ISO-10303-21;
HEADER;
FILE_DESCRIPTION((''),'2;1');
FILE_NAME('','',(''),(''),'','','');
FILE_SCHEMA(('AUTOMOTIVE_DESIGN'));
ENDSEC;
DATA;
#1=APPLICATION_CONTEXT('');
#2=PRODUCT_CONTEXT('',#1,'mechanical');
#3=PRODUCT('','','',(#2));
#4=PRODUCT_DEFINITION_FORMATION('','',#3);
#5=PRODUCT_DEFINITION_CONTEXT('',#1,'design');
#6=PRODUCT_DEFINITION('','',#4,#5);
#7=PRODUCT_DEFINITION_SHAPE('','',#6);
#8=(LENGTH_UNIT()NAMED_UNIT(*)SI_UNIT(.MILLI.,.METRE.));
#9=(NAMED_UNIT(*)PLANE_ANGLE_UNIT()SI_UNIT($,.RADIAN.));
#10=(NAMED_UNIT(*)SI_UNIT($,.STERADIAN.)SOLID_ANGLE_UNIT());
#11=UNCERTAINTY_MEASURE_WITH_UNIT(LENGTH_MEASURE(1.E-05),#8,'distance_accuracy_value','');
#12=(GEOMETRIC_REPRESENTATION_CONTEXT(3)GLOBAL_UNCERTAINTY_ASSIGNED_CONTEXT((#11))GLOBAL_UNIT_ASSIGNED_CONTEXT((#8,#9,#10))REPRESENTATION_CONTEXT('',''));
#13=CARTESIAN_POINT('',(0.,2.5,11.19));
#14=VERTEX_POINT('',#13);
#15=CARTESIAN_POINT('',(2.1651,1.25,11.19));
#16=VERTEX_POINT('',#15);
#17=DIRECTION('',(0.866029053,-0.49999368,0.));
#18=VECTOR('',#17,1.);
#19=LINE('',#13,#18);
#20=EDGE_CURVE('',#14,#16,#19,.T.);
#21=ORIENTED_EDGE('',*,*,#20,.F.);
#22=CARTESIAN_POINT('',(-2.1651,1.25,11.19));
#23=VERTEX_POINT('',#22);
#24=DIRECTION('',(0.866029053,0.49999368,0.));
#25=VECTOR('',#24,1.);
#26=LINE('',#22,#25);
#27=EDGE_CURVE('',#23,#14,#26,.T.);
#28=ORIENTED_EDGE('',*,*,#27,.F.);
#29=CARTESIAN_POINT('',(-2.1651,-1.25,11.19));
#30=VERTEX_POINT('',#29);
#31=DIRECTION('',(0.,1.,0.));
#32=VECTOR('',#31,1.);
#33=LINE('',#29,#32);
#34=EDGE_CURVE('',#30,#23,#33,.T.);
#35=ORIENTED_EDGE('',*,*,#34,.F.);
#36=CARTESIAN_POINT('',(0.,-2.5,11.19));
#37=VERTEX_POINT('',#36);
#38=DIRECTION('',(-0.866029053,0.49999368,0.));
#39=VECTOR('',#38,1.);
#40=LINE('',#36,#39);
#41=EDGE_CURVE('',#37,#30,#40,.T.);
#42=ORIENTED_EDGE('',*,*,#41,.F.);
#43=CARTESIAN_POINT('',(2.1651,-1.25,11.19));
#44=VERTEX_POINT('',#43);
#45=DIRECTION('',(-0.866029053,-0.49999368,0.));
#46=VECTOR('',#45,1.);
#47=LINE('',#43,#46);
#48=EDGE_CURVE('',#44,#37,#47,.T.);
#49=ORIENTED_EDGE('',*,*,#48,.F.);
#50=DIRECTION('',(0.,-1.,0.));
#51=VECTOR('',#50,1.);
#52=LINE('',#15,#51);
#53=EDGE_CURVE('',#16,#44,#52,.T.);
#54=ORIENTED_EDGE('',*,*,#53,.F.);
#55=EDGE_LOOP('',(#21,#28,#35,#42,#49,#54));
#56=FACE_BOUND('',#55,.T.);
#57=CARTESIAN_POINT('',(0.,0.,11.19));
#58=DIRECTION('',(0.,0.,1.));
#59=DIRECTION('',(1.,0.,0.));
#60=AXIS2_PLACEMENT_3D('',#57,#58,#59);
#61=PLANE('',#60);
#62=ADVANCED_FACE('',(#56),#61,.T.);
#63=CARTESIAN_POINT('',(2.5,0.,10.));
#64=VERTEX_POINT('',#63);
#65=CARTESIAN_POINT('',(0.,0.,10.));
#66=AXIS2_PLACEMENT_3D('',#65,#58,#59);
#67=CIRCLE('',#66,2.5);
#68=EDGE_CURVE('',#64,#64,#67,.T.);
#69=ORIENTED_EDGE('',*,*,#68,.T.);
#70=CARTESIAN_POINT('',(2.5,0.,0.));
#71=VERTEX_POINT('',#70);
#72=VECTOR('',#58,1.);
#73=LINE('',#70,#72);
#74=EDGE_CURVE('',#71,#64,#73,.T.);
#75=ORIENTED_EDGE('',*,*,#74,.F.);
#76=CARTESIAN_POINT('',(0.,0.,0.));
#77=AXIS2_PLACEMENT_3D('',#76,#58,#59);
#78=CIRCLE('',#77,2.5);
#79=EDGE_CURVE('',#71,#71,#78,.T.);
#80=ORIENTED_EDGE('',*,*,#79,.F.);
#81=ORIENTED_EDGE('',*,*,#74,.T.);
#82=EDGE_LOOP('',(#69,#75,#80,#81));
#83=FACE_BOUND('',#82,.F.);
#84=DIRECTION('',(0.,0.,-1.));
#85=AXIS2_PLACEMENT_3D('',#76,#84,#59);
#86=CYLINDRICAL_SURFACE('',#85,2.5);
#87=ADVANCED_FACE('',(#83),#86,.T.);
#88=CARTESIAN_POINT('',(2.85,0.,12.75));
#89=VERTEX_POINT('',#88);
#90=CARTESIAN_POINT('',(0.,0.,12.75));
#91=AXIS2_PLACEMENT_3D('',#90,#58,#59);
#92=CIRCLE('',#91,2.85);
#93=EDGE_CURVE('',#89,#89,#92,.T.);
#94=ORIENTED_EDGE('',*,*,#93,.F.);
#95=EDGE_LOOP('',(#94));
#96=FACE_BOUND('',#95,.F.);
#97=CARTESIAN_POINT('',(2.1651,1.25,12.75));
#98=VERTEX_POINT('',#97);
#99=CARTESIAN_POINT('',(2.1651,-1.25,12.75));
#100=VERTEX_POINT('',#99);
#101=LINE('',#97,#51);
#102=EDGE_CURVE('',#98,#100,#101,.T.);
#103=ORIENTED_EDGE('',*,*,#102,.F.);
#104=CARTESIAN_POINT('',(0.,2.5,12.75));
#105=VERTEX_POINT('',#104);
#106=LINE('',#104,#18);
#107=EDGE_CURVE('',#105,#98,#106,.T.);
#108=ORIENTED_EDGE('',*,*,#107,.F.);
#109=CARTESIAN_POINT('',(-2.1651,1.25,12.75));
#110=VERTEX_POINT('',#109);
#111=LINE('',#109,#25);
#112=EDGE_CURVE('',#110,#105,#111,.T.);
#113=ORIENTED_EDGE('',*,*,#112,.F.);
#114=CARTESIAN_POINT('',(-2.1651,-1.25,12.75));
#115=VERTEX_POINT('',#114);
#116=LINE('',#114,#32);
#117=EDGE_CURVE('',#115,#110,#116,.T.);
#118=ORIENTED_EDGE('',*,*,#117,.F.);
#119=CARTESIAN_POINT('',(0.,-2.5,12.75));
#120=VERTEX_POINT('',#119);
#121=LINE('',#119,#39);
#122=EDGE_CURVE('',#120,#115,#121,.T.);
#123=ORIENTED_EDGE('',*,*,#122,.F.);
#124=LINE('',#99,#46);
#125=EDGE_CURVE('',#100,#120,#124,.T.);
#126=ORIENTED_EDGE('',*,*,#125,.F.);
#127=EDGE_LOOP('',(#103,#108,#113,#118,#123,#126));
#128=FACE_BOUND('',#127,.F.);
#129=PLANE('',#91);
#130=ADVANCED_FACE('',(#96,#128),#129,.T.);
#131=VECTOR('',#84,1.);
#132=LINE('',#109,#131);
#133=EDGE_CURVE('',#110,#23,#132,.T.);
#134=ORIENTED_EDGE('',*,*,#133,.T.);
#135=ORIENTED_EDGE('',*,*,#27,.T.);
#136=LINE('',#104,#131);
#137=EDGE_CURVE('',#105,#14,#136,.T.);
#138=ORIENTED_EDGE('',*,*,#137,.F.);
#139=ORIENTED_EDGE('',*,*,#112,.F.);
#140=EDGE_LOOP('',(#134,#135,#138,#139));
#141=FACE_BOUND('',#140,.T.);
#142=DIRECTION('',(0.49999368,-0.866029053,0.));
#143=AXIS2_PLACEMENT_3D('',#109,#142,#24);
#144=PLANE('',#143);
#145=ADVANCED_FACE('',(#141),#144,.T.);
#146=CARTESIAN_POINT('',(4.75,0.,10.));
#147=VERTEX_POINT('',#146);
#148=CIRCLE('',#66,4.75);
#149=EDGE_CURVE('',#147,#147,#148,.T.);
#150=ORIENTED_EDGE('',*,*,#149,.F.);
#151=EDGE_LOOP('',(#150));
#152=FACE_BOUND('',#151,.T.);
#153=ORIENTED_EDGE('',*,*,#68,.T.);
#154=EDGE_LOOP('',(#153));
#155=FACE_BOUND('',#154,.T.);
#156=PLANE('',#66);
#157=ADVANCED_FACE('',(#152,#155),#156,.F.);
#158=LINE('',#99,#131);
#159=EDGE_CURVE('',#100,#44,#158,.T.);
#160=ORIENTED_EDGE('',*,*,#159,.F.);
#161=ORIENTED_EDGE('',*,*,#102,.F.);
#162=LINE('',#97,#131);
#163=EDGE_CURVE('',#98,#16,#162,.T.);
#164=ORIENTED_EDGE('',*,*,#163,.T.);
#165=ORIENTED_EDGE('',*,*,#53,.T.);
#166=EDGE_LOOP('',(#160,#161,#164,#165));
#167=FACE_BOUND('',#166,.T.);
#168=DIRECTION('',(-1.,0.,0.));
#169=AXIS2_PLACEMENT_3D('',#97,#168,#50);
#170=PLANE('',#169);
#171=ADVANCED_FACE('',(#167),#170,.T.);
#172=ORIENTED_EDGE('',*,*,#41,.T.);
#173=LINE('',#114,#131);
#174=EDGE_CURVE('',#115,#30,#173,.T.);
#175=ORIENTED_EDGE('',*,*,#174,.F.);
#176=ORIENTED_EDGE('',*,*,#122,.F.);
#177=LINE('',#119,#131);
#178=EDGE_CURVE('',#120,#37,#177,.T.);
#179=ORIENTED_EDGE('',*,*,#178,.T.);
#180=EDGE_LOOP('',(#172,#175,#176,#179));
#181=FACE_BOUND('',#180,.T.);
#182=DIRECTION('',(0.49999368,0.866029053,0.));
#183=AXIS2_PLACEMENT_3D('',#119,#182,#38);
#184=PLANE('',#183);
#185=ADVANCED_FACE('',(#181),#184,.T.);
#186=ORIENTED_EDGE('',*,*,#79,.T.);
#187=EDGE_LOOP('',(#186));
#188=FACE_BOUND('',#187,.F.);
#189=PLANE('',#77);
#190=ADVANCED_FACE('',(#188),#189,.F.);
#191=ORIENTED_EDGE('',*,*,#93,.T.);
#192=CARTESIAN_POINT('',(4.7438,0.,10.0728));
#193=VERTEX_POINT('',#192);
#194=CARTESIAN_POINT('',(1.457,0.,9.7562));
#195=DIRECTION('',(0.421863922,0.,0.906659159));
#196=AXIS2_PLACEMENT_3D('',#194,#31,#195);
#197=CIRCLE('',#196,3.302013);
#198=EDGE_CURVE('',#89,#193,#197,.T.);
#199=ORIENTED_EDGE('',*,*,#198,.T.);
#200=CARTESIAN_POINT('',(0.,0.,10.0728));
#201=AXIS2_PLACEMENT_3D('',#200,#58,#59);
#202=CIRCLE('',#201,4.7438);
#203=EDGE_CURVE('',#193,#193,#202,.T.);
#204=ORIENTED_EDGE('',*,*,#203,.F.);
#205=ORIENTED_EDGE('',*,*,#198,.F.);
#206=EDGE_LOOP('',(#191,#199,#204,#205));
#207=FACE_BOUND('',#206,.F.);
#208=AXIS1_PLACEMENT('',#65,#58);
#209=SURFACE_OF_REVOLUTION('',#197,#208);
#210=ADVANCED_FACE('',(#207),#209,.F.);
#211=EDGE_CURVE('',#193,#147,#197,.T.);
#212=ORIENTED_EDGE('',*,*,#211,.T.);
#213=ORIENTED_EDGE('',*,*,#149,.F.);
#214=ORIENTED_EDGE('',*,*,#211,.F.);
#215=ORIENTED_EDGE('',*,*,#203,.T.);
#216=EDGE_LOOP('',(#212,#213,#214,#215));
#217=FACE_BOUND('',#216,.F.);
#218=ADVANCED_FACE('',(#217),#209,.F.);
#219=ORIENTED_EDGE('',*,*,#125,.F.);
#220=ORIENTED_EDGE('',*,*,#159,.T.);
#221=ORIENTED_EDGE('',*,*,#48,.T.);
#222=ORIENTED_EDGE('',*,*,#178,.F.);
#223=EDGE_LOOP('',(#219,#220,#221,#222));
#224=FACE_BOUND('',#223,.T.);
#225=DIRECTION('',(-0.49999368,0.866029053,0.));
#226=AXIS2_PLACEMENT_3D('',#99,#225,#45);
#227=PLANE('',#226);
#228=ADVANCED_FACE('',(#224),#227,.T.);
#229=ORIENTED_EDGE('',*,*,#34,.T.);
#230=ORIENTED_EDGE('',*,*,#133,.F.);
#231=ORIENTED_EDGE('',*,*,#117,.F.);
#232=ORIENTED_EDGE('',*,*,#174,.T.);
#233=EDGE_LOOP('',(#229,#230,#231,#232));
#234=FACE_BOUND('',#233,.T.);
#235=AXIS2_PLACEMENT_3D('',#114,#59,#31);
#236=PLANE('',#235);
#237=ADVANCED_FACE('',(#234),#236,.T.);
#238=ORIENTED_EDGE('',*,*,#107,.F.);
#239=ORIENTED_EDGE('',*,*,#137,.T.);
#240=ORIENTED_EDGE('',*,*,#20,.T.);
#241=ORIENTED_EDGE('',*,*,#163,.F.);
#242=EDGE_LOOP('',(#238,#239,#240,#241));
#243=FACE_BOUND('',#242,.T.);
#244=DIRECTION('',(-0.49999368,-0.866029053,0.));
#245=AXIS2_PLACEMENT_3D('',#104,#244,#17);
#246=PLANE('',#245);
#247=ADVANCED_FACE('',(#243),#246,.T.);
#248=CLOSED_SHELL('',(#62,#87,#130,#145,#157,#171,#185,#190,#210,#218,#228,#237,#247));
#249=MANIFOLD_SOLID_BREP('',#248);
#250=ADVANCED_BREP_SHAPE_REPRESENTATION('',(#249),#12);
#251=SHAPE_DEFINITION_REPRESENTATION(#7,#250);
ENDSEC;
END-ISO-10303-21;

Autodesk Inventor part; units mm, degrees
ref_plane "YZ Plane" through (0, 0, 0) normal (1, 0, 0) x (0, 1, 0)
ref_plane "XZ Plane" through (0, 0, 0) normal (0, 1, 0) x (-1, 0, 0)
ref_plane "XY Plane" through (0, 0, 0) normal (0, 0, 1) x (1, 0, 0)
sketch "Sketch1" plane through (0, 0, 0) normal (0, 0, 1) x (1, 0, 0)
  circle A0 centre (0, 0) radius 2.5
  dimension "d0" = 5
extrude "Extrusion1" add sketch "Sketch1" along normal blind 10
thread "Thread1" size "12-24 UNC" class "2A" standard "ANSI Unified Screw Threads" full length
sketch "Sketch2" plane through (0, 0, 0) normal (0, 1, 0) x (-1, 0, 0)
  line L0 (0, 10.0728) -> (-4.75, 10.0728)
  line L1 (2.5, 10) -> (-2.5, 10) projected
  line L2 (0, 10) -> (-4.75, 10)
  line L3 (0, 10) -> (0, 12.75)
  line L4 (0, 12.75) -> (-2.85, 12.75)
  arc A0 (-2.85, 12.75) -> (-4.75, 10) centre (-1.457, 9.7562) ccw
  point P0 (0, 0)
  dimension "d5" = 4.75
  dimension "d6" = 2.75
  dimension "d7" = 2.85
  dimension "d8" = 3.302
revolve "Revolution1" add sketch "Sketch2" angle 360 about axis through (0, 0, 10) along (0, 0, 1)
sketch "Sketch3" plane through (0, 0, 12.75) normal (0, 0, 1) x (1, 0, 0)
  circle A0 centre (0, 0) radius 2.5 projected
  line L0 (0, 2.5) -> (2.1651, 1.25)
  line L1 (2.1651, 1.25) -> (2.1651, -1.25)
  line L2 (2.1651, -1.25) -> (0, -2.5)
  line L3 (0, -2.5) -> (-2.1651, -1.25)
  line L4 (-2.1651, -1.25) -> (-2.1651, 1.25)
  line L5 (-2.1651, 1.25) -> (0, 2.5)
extrude "Extrusion2" cut sketch "Sketch3" against normal blind 1.56 contours L1 L2 L3 L4 L5 L0
properties part number "5mm Button Head Screw Botch"
